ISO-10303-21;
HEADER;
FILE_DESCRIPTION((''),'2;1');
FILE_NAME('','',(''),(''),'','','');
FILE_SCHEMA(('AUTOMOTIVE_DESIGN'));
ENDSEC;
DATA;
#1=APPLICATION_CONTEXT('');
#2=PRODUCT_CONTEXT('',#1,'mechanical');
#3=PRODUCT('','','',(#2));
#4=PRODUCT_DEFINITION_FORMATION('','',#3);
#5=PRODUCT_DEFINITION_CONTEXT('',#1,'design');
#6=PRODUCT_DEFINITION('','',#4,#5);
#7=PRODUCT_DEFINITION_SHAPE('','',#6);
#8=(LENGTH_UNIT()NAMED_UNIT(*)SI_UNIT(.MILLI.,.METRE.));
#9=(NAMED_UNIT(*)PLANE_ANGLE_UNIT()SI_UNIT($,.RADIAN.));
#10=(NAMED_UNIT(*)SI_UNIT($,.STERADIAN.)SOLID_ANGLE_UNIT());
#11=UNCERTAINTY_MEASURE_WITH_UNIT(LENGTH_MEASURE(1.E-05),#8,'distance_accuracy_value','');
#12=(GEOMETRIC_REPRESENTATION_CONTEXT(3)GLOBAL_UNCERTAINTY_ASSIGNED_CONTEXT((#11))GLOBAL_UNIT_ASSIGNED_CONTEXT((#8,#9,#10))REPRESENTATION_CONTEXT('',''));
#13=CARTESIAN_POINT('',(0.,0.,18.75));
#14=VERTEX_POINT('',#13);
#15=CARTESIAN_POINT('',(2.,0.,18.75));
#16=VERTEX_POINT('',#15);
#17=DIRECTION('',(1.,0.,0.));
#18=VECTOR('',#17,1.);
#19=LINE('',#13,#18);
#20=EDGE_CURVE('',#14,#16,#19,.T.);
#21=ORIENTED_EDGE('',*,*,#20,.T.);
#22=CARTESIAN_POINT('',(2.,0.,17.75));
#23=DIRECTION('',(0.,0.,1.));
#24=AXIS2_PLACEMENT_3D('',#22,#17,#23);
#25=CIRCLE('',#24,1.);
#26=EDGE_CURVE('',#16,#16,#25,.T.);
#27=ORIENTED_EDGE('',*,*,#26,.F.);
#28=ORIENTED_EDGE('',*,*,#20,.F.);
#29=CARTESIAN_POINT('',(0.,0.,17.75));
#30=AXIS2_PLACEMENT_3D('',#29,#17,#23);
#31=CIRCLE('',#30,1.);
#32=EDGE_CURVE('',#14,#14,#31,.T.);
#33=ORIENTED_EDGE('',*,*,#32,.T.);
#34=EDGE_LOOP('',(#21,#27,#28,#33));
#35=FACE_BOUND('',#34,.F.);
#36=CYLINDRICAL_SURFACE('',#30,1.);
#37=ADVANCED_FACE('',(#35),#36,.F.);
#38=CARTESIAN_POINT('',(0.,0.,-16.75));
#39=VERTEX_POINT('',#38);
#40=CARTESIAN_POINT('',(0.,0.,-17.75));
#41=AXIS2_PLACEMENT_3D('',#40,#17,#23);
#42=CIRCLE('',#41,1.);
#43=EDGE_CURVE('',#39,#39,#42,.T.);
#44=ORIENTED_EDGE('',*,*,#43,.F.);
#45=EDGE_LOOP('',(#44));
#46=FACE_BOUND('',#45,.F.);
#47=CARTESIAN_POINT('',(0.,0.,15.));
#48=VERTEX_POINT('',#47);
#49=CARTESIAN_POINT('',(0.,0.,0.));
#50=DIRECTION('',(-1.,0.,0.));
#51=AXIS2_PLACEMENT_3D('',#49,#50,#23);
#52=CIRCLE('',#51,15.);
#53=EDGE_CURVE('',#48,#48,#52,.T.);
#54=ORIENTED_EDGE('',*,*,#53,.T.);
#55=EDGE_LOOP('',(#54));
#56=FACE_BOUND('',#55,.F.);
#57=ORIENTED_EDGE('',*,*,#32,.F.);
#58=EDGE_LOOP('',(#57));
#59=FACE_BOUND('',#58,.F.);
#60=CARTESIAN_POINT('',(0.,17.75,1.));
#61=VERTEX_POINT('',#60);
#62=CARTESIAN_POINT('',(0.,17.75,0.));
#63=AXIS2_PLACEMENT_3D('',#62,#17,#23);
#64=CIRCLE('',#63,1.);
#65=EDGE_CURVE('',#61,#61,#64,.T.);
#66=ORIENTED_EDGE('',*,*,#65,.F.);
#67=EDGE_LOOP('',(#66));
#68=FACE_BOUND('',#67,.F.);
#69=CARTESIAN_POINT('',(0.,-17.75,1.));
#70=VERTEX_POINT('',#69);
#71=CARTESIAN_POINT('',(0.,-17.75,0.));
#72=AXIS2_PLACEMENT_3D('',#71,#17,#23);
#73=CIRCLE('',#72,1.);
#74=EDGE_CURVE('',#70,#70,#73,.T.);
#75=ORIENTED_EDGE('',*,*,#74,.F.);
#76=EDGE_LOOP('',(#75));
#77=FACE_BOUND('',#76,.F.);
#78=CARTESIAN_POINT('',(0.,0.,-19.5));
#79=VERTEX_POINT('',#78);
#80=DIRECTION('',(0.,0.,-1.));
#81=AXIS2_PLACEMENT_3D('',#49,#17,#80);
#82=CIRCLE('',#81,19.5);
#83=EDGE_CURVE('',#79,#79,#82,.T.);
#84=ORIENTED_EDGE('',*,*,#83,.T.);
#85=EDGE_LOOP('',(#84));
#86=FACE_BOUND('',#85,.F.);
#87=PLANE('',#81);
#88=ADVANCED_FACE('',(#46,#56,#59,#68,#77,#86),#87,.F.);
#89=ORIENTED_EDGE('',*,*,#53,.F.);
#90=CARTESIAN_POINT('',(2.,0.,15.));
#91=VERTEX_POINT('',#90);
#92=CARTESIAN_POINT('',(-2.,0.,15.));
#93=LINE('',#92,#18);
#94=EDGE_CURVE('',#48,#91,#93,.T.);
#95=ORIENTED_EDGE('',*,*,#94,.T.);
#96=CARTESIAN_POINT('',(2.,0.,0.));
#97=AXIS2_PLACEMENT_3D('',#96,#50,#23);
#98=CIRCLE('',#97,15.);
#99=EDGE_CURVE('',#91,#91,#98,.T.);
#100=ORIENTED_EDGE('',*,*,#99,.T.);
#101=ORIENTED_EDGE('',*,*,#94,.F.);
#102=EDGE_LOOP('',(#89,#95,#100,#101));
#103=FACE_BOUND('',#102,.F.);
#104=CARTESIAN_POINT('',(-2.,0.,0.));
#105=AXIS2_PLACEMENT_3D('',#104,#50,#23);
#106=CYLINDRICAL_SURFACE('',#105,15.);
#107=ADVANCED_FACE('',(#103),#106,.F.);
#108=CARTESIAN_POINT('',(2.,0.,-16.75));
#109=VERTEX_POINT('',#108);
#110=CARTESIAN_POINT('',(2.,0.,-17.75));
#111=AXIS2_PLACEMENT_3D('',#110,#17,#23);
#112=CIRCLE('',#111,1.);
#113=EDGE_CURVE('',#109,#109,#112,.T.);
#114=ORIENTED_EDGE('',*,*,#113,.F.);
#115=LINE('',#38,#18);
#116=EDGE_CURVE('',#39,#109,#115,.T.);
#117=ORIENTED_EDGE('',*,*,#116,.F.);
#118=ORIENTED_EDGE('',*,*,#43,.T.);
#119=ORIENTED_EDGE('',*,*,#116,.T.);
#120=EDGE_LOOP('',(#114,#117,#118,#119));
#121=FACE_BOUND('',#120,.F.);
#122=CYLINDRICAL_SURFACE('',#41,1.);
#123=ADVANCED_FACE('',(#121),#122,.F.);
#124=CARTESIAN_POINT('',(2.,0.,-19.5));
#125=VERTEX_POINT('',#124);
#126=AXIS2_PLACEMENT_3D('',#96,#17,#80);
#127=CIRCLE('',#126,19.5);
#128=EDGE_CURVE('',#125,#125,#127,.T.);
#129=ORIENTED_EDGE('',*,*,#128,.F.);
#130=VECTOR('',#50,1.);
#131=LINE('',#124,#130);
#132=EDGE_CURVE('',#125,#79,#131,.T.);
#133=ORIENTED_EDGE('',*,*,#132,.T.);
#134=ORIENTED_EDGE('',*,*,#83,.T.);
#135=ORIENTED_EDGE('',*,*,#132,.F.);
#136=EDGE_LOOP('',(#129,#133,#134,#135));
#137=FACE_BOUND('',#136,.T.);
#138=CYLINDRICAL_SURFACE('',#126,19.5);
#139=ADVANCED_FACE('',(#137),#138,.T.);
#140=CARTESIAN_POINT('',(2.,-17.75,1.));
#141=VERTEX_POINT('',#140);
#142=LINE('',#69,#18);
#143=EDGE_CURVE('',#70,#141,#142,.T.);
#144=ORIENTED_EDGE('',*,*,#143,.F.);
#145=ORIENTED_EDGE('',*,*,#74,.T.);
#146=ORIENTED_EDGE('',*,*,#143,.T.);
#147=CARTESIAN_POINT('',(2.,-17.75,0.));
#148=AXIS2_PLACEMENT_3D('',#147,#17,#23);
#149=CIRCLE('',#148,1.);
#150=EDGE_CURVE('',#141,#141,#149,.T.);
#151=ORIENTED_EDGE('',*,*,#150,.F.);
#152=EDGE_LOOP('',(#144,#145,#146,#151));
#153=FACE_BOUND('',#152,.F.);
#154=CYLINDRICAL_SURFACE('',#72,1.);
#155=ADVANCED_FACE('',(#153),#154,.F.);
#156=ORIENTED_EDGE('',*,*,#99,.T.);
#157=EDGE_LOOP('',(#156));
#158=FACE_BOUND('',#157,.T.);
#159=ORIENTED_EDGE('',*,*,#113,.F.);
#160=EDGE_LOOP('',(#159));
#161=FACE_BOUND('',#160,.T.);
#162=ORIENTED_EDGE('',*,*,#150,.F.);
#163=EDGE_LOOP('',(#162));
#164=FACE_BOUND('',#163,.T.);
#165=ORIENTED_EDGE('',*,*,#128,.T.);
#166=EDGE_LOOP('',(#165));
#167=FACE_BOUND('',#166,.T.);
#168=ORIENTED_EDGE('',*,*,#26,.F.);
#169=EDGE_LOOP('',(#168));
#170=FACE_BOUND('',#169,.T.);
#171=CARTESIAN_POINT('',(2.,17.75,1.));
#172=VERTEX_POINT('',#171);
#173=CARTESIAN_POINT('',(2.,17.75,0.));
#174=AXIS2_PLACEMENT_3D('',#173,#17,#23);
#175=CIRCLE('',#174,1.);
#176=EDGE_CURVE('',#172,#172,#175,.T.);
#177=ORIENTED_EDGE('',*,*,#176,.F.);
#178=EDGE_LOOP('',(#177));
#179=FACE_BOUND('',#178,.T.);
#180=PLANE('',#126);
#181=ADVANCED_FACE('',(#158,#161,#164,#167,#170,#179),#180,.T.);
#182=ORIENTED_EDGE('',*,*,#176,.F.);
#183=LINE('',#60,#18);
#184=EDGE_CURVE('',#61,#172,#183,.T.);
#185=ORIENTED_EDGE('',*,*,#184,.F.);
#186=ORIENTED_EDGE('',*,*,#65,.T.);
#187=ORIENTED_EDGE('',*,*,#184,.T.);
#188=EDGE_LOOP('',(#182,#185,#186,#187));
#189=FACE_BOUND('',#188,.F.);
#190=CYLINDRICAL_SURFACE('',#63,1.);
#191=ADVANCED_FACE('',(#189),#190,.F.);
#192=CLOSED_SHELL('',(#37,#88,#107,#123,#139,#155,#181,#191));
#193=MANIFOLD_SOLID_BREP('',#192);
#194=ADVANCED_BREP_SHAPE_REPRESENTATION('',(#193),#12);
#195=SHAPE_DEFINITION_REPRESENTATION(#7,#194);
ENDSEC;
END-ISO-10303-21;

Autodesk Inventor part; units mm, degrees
ref_plane "YZ Plane" through (0, 0, 0) normal (1, 0, 0) x (0, 1, 0)
ref_plane "XZ Plane" through (0, 0, 0) normal (0, 1, 0) x (-1, 0, 0)
ref_plane "XY Plane" through (0, 0, 0) normal (0, 0, 1) x (1, 0, 0)
sketch "Sketch1" plane through (0, 0, 0) normal (1, 0, 0) x (0, 1, 0)
  circle A0 centre (0, 0) radius 16
  circle A1 centre (0, 0) radius 19.5
  dimension "d0" = 32
  dimension "d1" = 39
extrude "Extrusion1" add sketch "Sketch1" along normal blind 2 and the other way blind 2 contours A0
sketch "Sketch2" plane through (2, 0, 0) normal (1, 0, 0) x (0, 0, -1)
  circle A0 centre (0, 0) radius 19.5
  circle A1 centre (0, 0) radius 16
  dimension "d6" = 39
extrude "Extrusion2" add sketch "Sketch2" against normal blind 2
sketch "Sketch3" plane through (-2, 0, 0) normal (-1, 0, 0) x (0, 0, 1)
  circle A0 centre (0, 0) radius 16
  circle A1 centre (0, 0) radius 15
  dimension "d9" = 30
extrude "Extrusion3" cut sketch "Sketch3" against normal blind 10 contours A1
sketch "Sketch5" plane through (0, 0, 0) normal (-1, 0, 0) x (0, 0, 1)
  circle A0 centre (0, 0) radius 17.75
  circle A1 centre (0, 17.75) radius 1
  circle A2 centre (-17.75, 0) radius 1
  circle A3 centre (0, -17.75) radius 1
  circle A4 centre (17.75, 0) radius 1
  dimension "d12" = 35.5
  dimension "d13" = 2
  dimension "d16" = 360
hole "Hole1" at (0, 17.75, 0) at (0, 0, 17.75) at (0, -17.75, 0) at (0, 0, -17.75) direction (1, 0, 0) diameter 2 end through all
sketch "Sketch7" plane through (-2, 0, 0) normal (-1, 0, 0) x (0, 0, 1)
  circle A0 centre (0, 0) radius 15
  circle A1 centre (0, 0) radius 16
extrude "Extrusion4" cut sketch "Sketch7" against normal blind 2
properties part number "base_bearing_holder" material "PET Plastic"
